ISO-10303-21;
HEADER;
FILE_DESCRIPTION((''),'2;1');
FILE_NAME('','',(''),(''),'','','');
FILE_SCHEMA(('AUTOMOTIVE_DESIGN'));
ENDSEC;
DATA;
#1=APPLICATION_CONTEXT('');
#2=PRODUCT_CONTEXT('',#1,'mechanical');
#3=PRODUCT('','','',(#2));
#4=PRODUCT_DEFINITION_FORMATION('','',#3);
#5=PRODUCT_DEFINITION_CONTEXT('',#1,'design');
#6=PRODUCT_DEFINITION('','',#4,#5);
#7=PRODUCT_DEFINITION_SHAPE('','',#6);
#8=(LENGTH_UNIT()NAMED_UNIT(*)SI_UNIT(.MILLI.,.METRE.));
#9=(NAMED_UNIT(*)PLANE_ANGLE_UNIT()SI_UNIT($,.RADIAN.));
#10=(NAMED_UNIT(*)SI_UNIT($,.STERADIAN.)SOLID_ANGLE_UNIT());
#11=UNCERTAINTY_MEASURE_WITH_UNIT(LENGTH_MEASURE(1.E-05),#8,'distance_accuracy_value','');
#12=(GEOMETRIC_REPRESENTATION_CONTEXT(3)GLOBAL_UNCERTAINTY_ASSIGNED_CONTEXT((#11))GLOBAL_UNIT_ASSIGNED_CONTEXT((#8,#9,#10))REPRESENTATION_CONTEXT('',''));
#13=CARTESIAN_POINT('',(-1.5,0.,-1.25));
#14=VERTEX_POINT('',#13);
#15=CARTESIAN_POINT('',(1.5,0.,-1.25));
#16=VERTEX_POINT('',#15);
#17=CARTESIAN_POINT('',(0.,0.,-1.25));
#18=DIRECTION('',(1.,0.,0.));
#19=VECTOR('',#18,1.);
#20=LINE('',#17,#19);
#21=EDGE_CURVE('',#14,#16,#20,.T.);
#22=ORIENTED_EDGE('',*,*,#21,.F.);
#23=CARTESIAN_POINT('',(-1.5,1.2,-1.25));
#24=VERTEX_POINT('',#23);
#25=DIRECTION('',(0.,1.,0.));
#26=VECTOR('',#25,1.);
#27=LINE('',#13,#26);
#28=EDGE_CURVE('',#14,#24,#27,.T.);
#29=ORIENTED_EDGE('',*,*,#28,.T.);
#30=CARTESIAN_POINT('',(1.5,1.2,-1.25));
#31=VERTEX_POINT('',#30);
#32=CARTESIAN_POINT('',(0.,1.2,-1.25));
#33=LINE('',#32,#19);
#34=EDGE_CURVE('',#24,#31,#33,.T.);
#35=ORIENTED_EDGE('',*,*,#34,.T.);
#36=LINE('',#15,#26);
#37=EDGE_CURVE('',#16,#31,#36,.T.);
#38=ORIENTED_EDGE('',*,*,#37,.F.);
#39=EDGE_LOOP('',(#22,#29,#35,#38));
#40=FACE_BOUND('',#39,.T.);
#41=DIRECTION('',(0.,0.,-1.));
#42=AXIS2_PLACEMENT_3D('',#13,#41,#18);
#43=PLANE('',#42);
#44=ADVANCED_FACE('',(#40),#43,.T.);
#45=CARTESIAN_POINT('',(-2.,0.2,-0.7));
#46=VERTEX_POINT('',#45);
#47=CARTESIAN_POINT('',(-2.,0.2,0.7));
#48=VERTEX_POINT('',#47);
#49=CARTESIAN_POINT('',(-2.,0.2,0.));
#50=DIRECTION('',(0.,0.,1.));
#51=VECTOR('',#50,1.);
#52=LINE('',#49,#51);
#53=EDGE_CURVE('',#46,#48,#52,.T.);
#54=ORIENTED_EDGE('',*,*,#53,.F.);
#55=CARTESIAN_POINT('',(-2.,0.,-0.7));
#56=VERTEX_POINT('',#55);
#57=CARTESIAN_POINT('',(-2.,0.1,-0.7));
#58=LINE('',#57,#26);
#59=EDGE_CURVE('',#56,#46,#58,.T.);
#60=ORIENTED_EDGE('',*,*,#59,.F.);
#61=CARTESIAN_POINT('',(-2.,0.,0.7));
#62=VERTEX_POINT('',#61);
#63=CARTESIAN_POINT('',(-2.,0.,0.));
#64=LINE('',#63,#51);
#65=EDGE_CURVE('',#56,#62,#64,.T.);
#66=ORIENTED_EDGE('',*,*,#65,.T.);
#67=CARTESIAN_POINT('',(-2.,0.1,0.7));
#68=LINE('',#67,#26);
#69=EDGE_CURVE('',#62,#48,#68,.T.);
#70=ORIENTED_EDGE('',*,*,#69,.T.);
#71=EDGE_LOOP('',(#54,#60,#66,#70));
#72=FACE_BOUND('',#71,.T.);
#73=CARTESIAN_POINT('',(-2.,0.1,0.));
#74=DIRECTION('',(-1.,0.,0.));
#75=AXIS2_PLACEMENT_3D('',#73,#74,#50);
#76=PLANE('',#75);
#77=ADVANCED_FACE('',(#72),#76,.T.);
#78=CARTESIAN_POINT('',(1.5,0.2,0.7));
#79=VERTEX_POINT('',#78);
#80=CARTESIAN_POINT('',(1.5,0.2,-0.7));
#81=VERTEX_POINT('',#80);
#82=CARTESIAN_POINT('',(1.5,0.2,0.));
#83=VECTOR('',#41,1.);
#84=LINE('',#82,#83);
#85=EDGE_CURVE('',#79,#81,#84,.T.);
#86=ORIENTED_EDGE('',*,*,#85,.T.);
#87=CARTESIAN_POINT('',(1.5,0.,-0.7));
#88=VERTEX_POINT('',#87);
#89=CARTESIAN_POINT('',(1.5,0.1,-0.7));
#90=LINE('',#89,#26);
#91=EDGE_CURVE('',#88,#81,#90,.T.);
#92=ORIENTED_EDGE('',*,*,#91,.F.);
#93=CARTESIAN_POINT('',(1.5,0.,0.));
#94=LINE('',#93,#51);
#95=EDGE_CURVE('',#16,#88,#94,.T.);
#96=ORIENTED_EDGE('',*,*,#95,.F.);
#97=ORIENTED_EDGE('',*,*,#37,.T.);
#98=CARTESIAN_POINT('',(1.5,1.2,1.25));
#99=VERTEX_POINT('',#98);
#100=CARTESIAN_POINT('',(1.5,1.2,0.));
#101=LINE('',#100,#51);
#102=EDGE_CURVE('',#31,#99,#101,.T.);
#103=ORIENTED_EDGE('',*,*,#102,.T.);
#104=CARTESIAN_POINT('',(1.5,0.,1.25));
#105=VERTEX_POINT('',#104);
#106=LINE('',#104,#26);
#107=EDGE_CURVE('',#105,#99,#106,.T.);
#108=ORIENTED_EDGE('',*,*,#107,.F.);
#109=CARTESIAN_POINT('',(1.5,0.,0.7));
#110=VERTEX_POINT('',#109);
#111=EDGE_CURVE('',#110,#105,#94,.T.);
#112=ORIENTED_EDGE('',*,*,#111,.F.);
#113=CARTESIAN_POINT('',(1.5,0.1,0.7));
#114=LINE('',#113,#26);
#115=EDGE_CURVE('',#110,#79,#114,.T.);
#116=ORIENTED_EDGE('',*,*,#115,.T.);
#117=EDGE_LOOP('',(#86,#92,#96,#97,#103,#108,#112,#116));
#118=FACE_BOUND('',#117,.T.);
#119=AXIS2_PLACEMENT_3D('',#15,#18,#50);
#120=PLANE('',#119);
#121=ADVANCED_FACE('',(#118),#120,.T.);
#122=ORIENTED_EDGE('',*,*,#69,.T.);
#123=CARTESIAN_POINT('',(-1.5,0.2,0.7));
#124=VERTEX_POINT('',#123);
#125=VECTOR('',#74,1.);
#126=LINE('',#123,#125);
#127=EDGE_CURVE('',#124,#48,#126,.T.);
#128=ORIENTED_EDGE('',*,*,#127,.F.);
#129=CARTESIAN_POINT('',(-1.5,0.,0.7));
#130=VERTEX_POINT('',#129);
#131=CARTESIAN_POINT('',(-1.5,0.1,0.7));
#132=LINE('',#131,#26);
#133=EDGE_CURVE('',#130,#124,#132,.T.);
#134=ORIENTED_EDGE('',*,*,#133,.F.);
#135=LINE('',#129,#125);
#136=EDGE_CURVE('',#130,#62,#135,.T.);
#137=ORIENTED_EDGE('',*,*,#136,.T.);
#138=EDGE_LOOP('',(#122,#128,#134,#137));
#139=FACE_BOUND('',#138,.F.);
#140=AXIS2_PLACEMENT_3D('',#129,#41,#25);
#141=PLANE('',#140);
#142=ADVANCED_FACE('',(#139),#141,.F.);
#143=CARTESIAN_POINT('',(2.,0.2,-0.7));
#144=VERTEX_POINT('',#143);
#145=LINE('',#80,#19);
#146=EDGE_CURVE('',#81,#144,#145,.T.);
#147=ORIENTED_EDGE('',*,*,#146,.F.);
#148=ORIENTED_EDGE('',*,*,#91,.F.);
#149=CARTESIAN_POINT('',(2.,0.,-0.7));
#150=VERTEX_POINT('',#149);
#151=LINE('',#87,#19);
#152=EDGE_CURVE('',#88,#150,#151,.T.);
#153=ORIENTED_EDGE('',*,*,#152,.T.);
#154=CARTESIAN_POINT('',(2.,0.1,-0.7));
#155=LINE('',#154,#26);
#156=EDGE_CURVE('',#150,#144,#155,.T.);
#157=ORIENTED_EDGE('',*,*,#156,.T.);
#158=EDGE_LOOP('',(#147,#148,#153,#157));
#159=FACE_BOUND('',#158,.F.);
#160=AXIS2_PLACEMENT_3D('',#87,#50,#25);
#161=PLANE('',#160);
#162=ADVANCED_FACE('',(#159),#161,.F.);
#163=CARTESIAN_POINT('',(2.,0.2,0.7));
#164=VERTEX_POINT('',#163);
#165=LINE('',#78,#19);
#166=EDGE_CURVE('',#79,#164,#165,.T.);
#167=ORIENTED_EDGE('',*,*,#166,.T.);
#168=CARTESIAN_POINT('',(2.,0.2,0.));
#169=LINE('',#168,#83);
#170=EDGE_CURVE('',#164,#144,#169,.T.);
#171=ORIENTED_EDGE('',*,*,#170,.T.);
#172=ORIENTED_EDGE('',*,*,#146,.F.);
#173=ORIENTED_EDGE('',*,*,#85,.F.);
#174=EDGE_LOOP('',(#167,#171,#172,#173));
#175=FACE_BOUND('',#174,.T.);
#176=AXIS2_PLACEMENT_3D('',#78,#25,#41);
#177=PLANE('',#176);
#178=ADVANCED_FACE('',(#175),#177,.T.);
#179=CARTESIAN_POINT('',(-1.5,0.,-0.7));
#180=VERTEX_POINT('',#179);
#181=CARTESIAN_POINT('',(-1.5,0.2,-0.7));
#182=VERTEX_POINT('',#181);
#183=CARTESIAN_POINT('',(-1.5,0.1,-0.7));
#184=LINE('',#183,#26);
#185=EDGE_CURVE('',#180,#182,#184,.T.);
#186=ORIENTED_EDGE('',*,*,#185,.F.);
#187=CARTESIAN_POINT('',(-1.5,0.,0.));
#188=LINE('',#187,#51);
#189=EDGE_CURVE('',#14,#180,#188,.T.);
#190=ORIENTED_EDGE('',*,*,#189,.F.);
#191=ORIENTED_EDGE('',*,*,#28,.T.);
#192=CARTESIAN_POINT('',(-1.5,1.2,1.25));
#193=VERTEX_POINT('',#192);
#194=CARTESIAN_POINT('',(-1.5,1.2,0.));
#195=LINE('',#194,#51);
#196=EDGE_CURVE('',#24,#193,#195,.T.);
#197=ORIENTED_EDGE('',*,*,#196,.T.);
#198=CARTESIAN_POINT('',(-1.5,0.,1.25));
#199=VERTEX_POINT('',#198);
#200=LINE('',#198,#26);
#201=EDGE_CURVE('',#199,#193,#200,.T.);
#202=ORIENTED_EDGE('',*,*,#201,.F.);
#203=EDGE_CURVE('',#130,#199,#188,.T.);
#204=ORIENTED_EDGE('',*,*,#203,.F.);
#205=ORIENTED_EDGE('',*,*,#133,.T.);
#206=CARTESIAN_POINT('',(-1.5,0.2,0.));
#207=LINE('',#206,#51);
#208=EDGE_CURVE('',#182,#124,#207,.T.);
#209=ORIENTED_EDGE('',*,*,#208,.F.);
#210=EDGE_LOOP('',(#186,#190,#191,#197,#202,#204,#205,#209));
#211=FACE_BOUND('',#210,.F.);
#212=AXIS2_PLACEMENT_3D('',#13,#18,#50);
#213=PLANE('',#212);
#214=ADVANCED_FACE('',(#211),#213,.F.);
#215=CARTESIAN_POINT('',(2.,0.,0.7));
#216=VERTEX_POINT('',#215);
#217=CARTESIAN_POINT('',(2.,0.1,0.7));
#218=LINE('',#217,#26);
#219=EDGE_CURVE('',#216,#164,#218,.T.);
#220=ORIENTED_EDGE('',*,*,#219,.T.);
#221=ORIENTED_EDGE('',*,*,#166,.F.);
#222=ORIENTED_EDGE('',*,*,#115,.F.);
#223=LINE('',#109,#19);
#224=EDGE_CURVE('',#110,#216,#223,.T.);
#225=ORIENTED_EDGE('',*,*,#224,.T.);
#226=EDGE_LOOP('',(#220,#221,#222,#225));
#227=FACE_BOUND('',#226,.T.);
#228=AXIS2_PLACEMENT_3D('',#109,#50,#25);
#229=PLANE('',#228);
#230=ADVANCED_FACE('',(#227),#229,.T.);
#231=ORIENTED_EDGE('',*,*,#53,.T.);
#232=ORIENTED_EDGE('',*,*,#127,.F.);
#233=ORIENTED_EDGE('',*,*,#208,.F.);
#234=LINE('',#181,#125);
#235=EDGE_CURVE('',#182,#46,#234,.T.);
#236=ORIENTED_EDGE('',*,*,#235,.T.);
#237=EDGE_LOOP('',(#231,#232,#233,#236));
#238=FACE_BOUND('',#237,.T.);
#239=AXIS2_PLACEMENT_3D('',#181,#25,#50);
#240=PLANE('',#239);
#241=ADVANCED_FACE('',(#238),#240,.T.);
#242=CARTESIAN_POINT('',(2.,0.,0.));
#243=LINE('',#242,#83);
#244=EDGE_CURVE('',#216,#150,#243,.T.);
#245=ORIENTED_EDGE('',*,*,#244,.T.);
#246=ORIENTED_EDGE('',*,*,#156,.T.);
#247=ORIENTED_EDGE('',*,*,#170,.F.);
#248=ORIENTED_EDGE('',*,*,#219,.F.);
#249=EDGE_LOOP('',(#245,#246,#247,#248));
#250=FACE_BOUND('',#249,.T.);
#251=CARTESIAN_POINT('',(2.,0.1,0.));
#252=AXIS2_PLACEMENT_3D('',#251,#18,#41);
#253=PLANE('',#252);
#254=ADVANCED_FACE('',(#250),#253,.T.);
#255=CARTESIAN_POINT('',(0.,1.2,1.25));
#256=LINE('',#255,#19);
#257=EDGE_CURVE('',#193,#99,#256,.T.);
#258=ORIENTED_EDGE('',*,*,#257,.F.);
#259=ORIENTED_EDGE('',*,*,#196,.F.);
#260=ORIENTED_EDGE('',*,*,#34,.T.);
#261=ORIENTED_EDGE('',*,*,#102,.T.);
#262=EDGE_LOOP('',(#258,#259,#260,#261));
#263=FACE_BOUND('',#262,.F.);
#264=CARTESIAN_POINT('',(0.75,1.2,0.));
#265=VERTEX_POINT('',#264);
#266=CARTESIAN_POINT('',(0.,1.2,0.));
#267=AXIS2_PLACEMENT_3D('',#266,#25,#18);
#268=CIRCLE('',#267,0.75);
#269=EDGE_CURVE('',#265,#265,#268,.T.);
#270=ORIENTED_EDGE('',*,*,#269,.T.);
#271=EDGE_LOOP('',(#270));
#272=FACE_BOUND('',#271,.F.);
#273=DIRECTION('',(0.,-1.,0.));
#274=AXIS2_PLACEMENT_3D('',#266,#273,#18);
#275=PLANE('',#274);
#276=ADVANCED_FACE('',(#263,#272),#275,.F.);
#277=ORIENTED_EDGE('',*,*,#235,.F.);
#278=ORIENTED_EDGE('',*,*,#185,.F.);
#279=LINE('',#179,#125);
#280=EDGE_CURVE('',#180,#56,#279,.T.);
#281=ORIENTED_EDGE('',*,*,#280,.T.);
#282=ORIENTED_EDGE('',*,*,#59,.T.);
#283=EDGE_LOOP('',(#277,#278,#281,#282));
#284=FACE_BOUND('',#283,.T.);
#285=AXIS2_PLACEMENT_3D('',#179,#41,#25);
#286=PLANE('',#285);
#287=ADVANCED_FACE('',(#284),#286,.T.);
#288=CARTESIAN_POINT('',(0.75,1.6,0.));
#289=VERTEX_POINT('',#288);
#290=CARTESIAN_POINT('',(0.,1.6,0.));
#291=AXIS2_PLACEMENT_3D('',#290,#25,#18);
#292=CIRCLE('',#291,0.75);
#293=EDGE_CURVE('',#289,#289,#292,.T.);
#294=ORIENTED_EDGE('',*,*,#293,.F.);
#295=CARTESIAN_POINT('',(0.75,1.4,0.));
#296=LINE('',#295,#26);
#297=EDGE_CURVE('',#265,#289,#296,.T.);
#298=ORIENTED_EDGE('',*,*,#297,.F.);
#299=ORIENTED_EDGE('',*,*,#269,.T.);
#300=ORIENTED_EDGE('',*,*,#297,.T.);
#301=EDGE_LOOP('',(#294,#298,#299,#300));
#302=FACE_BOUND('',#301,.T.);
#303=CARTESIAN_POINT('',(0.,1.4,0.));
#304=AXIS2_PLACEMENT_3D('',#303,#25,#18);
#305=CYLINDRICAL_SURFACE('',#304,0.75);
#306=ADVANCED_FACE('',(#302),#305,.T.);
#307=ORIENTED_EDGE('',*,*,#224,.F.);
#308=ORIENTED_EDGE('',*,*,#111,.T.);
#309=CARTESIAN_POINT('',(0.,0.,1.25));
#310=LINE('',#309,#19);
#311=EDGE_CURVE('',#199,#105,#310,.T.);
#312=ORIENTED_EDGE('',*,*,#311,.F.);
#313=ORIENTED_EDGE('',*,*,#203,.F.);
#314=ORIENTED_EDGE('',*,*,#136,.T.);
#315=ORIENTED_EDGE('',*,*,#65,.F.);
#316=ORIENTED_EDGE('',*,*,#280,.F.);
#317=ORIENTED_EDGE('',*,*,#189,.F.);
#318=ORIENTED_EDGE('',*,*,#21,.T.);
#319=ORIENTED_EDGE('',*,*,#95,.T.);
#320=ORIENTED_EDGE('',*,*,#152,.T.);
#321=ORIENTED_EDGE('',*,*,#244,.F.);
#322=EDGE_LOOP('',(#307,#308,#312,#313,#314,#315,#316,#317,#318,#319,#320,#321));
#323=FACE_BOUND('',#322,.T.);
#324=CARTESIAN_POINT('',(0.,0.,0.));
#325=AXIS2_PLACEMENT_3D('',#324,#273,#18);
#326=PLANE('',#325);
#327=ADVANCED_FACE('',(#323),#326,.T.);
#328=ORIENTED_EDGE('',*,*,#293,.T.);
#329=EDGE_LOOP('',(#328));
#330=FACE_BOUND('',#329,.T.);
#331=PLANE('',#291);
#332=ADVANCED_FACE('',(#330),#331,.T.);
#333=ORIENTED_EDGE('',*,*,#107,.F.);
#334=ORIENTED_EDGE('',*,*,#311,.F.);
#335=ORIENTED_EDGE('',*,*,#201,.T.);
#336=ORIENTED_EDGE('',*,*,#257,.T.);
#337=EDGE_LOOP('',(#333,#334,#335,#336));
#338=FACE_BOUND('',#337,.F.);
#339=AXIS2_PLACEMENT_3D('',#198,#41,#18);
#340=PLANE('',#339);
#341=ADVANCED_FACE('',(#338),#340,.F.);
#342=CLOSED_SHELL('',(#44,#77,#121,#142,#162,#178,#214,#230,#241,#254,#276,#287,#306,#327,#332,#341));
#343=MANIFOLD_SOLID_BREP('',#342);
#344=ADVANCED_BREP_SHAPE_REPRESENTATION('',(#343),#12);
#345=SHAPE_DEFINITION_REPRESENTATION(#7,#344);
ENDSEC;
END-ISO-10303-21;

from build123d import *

# Parameters (mm, degrees)
SKETCH1_W           = 3
SKETCH1_H           = 2.5
BOSS_EXTRUDE1_DEPTH = 1.2
SKETCH2_W           = 1.4
SKETCH2_H           = 0.2
BOSS_EXTRUDE2_DEPTH = 0.5
SKETCH3_W           = 1.4
SKETCH3_H           = 0.2
BOSS_EXTRUDE3_DEPTH = 0.5
SKETCH4_W           = 0.75
SKETCH4_H           = 0.4


with BuildPart() as part:
    # Sketch1 → Boss-Extrude1 (new body)
    with BuildSketch(Plane.XZ):
        Rectangle(SKETCH1_W, SKETCH1_H)
    extrude(amount=-BOSS_EXTRUDE1_DEPTH)

    # Sketch2 → Boss-Extrude2 (add)
    with BuildSketch(Plane(origin=(1.5, 0, 0), x_dir=(0, 0, -1), z_dir=(1, 0, 0))):
        with Locations((0, 0.1)):
            Rectangle(SKETCH2_W, SKETCH2_H)
    extrude(amount=BOSS_EXTRUDE2_DEPTH)

    # Sketch3 → Boss-Extrude3 (add)
    with BuildSketch(Plane.ZY.offset(1.5)):
        with Locations((0, 0.1)):
            Rectangle(SKETCH3_W, SKETCH3_H)
    extrude(amount=BOSS_EXTRUDE3_DEPTH)

    # Sketch4 → Revolve1 (revolve)
    with BuildSketch(Plane(origin=(0, 0, 0), x_dir=(-1, 0, 0), z_dir=(0, 0, -1))):
        with Locations((-0.375, 1.4)):
            Rectangle(SKETCH4_W, SKETCH4_H)
    revolve(axis=Axis((0, 1.2, 0), (0, 1, 0)))


solid = part.part
